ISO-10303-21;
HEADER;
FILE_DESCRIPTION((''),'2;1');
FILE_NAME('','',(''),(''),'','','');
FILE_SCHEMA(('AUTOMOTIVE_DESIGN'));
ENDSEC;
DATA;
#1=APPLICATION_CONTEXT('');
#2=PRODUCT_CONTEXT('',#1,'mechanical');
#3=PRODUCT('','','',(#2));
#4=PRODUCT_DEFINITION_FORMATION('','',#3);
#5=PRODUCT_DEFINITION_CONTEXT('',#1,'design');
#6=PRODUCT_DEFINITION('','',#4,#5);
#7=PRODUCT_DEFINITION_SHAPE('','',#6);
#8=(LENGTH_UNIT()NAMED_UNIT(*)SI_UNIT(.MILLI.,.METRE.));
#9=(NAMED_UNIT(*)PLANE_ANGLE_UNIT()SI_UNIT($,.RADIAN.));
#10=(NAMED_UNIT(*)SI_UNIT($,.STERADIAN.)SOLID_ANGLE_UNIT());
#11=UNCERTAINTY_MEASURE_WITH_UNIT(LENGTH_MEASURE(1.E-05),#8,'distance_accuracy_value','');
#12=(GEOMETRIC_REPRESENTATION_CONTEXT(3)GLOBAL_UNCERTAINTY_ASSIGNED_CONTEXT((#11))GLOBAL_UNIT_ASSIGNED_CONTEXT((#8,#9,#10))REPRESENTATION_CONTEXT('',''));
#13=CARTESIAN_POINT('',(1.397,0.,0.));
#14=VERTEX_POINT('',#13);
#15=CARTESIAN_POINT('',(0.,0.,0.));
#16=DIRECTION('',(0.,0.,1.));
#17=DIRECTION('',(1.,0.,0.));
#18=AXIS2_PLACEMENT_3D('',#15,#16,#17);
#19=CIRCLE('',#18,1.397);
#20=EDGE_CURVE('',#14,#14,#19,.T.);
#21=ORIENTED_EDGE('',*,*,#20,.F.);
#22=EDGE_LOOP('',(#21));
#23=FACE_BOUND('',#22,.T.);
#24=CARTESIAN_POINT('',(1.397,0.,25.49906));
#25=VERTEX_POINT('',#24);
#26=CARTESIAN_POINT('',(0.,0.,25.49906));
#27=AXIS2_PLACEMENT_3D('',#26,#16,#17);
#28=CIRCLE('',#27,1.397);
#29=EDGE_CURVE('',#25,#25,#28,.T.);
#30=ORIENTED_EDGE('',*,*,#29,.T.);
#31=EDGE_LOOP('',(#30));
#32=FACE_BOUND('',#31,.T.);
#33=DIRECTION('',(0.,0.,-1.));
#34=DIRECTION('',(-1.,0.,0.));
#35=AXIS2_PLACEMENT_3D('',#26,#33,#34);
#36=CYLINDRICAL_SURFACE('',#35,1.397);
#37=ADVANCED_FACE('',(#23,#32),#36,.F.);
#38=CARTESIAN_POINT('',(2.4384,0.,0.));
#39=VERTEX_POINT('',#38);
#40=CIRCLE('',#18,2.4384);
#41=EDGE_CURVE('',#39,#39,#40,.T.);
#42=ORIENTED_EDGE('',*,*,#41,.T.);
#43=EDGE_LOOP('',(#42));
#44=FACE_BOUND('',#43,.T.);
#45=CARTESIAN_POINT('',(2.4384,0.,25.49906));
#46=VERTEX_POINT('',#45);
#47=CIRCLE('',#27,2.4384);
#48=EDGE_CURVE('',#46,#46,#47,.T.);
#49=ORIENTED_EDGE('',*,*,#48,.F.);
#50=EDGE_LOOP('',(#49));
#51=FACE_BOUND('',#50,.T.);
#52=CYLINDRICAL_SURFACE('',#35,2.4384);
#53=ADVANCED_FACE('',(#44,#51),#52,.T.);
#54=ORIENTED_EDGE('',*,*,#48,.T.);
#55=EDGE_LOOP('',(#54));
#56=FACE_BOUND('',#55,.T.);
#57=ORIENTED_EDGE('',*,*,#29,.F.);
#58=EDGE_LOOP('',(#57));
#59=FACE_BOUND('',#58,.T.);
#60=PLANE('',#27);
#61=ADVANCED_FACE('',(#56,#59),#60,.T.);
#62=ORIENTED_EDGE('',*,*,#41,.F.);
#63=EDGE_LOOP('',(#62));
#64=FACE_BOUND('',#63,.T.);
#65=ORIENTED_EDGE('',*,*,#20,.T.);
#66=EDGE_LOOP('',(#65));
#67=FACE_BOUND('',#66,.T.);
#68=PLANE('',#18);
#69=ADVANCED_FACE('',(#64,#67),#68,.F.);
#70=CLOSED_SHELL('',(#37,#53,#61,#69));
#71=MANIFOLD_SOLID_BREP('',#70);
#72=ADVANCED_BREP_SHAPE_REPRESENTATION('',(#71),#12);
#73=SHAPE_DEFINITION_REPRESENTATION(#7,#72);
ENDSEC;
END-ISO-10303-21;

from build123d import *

# Parameters (mm, degrees)
SKETCH1_R           = 2.4384
SKETCH1_R_2         = 1.397
BOSS_EXTRUDE1_DEPTH = 25.49906


with BuildPart() as part:
    # Sketch1 → Boss-Extrude1 (new body)
    with BuildSketch(Plane.XY):
        Circle(SKETCH1_R)
        Circle(SKETCH1_R_2, mode=Mode.SUBTRACT)
    extrude(amount=BOSS_EXTRUDE1_DEPTH)


solid = part.part
